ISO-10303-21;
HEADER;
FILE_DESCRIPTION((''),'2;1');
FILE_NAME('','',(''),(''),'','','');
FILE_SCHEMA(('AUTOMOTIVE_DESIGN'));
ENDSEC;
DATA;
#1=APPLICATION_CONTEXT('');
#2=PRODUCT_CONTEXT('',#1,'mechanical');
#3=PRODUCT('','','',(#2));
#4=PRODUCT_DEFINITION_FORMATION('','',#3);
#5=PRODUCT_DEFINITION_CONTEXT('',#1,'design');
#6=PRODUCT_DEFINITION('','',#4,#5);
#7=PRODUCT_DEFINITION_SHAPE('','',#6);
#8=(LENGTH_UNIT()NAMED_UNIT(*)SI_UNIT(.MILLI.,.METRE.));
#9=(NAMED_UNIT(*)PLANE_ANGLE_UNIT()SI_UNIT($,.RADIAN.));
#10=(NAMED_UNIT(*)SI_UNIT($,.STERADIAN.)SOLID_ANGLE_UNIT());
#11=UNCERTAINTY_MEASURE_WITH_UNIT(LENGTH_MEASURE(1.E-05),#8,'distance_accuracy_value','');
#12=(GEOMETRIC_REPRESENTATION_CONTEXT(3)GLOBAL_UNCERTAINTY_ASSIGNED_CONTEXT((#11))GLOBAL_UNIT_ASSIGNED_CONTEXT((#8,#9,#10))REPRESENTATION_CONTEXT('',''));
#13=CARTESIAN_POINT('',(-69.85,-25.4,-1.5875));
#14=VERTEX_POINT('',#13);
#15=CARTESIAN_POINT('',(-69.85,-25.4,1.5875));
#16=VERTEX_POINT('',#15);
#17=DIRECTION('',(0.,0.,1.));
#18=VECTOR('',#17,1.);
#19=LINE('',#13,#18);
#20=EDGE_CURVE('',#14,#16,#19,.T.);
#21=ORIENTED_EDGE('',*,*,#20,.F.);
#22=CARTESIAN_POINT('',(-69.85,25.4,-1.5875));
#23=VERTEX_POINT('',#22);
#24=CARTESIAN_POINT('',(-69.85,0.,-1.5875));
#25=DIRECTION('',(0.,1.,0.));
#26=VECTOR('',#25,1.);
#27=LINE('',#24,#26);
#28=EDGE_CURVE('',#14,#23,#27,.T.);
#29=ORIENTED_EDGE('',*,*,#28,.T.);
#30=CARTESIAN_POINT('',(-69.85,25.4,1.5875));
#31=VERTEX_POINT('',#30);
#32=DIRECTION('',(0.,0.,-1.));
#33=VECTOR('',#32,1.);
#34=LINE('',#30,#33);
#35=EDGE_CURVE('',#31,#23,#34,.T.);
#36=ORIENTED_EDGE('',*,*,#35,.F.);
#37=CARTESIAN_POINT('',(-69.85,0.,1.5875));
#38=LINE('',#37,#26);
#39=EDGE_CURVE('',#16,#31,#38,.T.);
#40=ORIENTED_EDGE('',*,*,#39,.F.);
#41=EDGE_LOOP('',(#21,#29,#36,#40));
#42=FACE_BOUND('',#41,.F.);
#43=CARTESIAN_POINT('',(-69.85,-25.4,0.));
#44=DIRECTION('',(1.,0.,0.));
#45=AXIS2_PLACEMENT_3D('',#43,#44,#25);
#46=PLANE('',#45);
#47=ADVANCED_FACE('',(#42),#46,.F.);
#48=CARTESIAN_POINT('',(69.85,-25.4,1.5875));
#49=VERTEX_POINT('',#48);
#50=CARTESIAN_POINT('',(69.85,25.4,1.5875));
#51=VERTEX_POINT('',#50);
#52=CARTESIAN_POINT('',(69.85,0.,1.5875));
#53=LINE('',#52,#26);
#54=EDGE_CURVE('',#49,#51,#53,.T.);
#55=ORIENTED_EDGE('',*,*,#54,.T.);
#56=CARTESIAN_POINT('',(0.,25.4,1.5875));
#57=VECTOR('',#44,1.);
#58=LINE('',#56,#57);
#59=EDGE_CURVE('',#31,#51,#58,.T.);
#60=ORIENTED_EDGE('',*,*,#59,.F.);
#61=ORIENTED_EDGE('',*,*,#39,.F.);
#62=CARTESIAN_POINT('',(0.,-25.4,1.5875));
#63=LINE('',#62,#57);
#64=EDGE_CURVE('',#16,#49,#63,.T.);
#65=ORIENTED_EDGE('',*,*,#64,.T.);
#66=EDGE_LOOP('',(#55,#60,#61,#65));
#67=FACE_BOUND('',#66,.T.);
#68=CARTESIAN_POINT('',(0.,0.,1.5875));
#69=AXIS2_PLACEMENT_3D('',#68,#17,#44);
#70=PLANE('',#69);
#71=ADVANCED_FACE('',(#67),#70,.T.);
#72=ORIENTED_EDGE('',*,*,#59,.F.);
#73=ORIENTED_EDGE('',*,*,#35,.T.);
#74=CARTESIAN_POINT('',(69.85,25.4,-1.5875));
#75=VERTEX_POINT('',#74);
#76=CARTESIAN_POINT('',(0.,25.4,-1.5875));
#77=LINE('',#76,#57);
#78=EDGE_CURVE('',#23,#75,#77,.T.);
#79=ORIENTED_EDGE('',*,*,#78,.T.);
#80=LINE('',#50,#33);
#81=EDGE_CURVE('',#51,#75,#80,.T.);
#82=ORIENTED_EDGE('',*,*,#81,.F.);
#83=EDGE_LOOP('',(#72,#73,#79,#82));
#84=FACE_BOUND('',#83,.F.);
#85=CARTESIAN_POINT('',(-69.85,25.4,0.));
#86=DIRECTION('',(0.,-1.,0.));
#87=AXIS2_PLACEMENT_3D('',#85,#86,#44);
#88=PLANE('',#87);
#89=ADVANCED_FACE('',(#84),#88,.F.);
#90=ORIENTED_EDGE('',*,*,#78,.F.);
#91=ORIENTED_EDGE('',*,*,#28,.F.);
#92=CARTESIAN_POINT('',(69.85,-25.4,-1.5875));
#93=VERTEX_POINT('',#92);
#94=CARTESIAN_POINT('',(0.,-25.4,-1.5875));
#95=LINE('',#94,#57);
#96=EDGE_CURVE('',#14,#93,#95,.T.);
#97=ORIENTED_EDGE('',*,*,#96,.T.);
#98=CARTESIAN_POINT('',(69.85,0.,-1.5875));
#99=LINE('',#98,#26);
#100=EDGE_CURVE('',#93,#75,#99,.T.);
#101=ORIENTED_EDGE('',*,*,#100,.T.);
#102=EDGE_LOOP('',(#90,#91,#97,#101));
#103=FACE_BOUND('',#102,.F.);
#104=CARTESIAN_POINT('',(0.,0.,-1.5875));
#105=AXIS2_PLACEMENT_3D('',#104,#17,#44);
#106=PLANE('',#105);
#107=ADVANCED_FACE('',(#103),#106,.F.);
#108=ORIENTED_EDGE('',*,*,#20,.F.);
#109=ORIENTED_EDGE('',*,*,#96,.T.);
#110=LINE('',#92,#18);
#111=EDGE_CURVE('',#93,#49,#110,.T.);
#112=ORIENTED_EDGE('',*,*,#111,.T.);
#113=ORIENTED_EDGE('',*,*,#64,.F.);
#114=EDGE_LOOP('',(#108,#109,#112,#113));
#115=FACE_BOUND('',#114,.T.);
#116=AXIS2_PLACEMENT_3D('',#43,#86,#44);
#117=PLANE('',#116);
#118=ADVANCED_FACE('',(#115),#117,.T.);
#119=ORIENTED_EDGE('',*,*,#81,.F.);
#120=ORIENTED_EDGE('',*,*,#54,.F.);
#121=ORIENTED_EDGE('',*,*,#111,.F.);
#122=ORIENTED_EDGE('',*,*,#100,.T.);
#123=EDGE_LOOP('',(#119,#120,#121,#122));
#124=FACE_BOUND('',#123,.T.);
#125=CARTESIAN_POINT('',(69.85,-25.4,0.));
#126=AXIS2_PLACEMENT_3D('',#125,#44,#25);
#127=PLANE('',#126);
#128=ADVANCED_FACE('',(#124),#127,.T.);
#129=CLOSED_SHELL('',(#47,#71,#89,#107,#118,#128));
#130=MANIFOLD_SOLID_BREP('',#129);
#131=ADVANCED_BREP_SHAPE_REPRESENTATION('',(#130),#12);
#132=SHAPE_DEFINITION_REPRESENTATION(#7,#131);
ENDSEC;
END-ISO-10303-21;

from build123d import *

# Parameters (mm, degrees)
SKETCH1_W           = 139.7
SKETCH1_H           = 50.8
BOSS_EXTRUDE1_DEPTH = 1.5875


with BuildPart() as part:
    # Sketch1 → Boss-Extrude1 (new body, symmetric)
    with BuildSketch(Plane.XY):
        Rectangle(SKETCH1_W, SKETCH1_H)
    extrude(amount=BOSS_EXTRUDE1_DEPTH, both=True)


solid = part.part
